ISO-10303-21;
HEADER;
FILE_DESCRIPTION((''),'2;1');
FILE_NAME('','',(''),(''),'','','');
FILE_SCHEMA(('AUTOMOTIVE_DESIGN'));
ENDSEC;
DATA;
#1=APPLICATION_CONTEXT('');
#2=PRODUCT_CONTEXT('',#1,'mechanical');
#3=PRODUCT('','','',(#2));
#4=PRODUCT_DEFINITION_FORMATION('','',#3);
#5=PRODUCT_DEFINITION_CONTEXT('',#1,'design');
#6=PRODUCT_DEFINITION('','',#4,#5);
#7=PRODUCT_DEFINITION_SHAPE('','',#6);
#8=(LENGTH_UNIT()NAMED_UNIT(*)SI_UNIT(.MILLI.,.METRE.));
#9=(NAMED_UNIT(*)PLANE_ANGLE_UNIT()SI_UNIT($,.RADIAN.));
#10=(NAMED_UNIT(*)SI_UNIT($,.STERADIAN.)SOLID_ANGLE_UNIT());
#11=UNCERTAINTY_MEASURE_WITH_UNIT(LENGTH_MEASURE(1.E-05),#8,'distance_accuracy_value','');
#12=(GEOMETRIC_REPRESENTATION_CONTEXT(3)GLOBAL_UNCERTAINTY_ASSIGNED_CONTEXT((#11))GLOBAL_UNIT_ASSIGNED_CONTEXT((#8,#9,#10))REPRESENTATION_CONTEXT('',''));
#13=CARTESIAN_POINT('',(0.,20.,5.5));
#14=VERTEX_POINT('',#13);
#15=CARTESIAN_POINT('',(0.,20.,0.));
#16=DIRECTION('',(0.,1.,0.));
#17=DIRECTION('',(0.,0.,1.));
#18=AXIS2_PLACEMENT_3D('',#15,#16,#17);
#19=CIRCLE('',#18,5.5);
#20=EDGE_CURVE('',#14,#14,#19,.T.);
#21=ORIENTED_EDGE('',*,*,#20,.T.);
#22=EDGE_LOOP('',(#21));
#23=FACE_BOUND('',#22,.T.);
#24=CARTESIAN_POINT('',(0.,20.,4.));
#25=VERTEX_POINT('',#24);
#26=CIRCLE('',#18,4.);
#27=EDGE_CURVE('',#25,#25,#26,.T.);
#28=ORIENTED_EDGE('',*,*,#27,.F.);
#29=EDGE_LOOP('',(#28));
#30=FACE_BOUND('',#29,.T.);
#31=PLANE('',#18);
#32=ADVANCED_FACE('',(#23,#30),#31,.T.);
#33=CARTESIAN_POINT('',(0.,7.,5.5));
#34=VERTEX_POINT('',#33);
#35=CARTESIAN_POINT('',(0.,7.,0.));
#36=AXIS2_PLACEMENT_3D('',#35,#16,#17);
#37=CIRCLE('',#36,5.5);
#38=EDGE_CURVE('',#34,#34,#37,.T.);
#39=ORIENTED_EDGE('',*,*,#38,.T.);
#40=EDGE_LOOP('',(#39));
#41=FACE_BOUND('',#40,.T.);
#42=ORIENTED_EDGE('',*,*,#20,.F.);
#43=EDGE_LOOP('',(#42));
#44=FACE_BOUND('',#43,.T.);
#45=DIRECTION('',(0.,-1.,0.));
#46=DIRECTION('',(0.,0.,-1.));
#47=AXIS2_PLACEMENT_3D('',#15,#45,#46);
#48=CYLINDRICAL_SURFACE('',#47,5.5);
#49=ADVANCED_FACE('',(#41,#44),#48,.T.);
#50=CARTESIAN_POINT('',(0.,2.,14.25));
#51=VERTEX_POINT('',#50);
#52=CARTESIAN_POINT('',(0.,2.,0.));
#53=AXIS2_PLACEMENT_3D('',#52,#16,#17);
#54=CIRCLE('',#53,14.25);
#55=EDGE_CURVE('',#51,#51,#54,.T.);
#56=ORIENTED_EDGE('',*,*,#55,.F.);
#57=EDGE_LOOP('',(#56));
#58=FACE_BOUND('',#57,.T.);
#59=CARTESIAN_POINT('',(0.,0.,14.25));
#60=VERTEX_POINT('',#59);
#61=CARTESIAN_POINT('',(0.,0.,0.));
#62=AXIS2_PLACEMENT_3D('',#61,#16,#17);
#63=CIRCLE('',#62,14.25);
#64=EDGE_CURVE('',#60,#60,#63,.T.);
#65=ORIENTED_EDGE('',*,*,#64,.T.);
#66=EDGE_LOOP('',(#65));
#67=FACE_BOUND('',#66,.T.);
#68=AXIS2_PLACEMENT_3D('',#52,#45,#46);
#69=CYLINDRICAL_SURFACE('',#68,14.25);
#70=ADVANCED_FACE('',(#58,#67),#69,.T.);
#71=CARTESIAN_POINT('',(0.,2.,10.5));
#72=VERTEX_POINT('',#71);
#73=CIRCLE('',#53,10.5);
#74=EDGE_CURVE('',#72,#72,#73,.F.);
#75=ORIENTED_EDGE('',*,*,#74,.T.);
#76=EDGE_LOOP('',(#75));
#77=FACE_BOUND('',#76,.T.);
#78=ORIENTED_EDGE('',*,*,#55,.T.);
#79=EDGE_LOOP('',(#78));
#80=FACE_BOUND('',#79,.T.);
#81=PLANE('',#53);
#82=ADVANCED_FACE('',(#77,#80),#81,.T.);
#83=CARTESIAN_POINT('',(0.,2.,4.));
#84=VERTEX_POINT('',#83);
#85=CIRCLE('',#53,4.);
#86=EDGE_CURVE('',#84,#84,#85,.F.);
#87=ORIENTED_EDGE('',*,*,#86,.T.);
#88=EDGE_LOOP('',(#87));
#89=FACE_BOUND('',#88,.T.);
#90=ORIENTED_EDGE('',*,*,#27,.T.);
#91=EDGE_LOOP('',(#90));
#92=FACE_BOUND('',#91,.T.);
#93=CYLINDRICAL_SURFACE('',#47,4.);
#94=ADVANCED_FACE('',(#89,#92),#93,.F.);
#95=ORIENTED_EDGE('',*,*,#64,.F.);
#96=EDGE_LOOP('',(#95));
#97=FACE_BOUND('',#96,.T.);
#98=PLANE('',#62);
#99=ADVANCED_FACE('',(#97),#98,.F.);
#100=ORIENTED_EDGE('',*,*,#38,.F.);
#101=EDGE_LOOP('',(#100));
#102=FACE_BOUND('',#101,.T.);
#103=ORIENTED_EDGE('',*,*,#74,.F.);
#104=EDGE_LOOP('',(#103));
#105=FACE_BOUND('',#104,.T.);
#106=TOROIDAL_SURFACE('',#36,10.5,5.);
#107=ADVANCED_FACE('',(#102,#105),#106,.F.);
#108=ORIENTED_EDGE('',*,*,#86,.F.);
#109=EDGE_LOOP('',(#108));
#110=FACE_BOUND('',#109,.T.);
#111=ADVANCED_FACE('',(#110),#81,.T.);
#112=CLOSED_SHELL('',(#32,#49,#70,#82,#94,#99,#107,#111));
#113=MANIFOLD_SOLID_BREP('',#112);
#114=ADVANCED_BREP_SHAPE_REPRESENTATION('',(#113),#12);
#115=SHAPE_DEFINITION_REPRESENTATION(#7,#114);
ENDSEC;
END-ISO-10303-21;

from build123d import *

# Parameters (mm, degrees)
SKETCH1_R           = 14.25
BOSS_EXTRUDE1_DEPTH = 2
SKETCH2_R           = 5.5
SKETCH2_R_2         = 4
BOSS_EXTRUDE2_DEPTH = 18
FILLET1_R           = 5


with BuildPart() as part:
    # Sketch1 → Boss-Extrude1 (new body)
    with BuildSketch(Plane(origin=(0, 0, 0), x_dir=(1, 0, 0), z_dir=(0, 1, 0))):
        with Locations(Location((0, 0, 0), (0, 0, 270))):
            Circle(SKETCH1_R)
    extrude(amount=BOSS_EXTRUDE1_DEPTH)

    # Sketch2 → Boss-Extrude2 (add)
    with BuildSketch(Plane(origin=(0, 2, 0), x_dir=(1, 0, 0), z_dir=(0, 1, 0))):
        with Locations(Location((0, 0, 0), (0, 0, 270))):
            Circle(SKETCH2_R)
        with Locations(Location((0, 0, 0), (0, 0, 270))):
            Circle(SKETCH2_R_2, mode=Mode.SUBTRACT)
    extrude(amount=BOSS_EXTRUDE2_DEPTH)

    # Fillet1
    fillet1_edges = [part.edges().sort_by_distance(p)[0] for p in [
        (0, 2, -5.5),
    ]]
    fillet(fillet1_edges, radius=FILLET1_R)


solid = part.part
